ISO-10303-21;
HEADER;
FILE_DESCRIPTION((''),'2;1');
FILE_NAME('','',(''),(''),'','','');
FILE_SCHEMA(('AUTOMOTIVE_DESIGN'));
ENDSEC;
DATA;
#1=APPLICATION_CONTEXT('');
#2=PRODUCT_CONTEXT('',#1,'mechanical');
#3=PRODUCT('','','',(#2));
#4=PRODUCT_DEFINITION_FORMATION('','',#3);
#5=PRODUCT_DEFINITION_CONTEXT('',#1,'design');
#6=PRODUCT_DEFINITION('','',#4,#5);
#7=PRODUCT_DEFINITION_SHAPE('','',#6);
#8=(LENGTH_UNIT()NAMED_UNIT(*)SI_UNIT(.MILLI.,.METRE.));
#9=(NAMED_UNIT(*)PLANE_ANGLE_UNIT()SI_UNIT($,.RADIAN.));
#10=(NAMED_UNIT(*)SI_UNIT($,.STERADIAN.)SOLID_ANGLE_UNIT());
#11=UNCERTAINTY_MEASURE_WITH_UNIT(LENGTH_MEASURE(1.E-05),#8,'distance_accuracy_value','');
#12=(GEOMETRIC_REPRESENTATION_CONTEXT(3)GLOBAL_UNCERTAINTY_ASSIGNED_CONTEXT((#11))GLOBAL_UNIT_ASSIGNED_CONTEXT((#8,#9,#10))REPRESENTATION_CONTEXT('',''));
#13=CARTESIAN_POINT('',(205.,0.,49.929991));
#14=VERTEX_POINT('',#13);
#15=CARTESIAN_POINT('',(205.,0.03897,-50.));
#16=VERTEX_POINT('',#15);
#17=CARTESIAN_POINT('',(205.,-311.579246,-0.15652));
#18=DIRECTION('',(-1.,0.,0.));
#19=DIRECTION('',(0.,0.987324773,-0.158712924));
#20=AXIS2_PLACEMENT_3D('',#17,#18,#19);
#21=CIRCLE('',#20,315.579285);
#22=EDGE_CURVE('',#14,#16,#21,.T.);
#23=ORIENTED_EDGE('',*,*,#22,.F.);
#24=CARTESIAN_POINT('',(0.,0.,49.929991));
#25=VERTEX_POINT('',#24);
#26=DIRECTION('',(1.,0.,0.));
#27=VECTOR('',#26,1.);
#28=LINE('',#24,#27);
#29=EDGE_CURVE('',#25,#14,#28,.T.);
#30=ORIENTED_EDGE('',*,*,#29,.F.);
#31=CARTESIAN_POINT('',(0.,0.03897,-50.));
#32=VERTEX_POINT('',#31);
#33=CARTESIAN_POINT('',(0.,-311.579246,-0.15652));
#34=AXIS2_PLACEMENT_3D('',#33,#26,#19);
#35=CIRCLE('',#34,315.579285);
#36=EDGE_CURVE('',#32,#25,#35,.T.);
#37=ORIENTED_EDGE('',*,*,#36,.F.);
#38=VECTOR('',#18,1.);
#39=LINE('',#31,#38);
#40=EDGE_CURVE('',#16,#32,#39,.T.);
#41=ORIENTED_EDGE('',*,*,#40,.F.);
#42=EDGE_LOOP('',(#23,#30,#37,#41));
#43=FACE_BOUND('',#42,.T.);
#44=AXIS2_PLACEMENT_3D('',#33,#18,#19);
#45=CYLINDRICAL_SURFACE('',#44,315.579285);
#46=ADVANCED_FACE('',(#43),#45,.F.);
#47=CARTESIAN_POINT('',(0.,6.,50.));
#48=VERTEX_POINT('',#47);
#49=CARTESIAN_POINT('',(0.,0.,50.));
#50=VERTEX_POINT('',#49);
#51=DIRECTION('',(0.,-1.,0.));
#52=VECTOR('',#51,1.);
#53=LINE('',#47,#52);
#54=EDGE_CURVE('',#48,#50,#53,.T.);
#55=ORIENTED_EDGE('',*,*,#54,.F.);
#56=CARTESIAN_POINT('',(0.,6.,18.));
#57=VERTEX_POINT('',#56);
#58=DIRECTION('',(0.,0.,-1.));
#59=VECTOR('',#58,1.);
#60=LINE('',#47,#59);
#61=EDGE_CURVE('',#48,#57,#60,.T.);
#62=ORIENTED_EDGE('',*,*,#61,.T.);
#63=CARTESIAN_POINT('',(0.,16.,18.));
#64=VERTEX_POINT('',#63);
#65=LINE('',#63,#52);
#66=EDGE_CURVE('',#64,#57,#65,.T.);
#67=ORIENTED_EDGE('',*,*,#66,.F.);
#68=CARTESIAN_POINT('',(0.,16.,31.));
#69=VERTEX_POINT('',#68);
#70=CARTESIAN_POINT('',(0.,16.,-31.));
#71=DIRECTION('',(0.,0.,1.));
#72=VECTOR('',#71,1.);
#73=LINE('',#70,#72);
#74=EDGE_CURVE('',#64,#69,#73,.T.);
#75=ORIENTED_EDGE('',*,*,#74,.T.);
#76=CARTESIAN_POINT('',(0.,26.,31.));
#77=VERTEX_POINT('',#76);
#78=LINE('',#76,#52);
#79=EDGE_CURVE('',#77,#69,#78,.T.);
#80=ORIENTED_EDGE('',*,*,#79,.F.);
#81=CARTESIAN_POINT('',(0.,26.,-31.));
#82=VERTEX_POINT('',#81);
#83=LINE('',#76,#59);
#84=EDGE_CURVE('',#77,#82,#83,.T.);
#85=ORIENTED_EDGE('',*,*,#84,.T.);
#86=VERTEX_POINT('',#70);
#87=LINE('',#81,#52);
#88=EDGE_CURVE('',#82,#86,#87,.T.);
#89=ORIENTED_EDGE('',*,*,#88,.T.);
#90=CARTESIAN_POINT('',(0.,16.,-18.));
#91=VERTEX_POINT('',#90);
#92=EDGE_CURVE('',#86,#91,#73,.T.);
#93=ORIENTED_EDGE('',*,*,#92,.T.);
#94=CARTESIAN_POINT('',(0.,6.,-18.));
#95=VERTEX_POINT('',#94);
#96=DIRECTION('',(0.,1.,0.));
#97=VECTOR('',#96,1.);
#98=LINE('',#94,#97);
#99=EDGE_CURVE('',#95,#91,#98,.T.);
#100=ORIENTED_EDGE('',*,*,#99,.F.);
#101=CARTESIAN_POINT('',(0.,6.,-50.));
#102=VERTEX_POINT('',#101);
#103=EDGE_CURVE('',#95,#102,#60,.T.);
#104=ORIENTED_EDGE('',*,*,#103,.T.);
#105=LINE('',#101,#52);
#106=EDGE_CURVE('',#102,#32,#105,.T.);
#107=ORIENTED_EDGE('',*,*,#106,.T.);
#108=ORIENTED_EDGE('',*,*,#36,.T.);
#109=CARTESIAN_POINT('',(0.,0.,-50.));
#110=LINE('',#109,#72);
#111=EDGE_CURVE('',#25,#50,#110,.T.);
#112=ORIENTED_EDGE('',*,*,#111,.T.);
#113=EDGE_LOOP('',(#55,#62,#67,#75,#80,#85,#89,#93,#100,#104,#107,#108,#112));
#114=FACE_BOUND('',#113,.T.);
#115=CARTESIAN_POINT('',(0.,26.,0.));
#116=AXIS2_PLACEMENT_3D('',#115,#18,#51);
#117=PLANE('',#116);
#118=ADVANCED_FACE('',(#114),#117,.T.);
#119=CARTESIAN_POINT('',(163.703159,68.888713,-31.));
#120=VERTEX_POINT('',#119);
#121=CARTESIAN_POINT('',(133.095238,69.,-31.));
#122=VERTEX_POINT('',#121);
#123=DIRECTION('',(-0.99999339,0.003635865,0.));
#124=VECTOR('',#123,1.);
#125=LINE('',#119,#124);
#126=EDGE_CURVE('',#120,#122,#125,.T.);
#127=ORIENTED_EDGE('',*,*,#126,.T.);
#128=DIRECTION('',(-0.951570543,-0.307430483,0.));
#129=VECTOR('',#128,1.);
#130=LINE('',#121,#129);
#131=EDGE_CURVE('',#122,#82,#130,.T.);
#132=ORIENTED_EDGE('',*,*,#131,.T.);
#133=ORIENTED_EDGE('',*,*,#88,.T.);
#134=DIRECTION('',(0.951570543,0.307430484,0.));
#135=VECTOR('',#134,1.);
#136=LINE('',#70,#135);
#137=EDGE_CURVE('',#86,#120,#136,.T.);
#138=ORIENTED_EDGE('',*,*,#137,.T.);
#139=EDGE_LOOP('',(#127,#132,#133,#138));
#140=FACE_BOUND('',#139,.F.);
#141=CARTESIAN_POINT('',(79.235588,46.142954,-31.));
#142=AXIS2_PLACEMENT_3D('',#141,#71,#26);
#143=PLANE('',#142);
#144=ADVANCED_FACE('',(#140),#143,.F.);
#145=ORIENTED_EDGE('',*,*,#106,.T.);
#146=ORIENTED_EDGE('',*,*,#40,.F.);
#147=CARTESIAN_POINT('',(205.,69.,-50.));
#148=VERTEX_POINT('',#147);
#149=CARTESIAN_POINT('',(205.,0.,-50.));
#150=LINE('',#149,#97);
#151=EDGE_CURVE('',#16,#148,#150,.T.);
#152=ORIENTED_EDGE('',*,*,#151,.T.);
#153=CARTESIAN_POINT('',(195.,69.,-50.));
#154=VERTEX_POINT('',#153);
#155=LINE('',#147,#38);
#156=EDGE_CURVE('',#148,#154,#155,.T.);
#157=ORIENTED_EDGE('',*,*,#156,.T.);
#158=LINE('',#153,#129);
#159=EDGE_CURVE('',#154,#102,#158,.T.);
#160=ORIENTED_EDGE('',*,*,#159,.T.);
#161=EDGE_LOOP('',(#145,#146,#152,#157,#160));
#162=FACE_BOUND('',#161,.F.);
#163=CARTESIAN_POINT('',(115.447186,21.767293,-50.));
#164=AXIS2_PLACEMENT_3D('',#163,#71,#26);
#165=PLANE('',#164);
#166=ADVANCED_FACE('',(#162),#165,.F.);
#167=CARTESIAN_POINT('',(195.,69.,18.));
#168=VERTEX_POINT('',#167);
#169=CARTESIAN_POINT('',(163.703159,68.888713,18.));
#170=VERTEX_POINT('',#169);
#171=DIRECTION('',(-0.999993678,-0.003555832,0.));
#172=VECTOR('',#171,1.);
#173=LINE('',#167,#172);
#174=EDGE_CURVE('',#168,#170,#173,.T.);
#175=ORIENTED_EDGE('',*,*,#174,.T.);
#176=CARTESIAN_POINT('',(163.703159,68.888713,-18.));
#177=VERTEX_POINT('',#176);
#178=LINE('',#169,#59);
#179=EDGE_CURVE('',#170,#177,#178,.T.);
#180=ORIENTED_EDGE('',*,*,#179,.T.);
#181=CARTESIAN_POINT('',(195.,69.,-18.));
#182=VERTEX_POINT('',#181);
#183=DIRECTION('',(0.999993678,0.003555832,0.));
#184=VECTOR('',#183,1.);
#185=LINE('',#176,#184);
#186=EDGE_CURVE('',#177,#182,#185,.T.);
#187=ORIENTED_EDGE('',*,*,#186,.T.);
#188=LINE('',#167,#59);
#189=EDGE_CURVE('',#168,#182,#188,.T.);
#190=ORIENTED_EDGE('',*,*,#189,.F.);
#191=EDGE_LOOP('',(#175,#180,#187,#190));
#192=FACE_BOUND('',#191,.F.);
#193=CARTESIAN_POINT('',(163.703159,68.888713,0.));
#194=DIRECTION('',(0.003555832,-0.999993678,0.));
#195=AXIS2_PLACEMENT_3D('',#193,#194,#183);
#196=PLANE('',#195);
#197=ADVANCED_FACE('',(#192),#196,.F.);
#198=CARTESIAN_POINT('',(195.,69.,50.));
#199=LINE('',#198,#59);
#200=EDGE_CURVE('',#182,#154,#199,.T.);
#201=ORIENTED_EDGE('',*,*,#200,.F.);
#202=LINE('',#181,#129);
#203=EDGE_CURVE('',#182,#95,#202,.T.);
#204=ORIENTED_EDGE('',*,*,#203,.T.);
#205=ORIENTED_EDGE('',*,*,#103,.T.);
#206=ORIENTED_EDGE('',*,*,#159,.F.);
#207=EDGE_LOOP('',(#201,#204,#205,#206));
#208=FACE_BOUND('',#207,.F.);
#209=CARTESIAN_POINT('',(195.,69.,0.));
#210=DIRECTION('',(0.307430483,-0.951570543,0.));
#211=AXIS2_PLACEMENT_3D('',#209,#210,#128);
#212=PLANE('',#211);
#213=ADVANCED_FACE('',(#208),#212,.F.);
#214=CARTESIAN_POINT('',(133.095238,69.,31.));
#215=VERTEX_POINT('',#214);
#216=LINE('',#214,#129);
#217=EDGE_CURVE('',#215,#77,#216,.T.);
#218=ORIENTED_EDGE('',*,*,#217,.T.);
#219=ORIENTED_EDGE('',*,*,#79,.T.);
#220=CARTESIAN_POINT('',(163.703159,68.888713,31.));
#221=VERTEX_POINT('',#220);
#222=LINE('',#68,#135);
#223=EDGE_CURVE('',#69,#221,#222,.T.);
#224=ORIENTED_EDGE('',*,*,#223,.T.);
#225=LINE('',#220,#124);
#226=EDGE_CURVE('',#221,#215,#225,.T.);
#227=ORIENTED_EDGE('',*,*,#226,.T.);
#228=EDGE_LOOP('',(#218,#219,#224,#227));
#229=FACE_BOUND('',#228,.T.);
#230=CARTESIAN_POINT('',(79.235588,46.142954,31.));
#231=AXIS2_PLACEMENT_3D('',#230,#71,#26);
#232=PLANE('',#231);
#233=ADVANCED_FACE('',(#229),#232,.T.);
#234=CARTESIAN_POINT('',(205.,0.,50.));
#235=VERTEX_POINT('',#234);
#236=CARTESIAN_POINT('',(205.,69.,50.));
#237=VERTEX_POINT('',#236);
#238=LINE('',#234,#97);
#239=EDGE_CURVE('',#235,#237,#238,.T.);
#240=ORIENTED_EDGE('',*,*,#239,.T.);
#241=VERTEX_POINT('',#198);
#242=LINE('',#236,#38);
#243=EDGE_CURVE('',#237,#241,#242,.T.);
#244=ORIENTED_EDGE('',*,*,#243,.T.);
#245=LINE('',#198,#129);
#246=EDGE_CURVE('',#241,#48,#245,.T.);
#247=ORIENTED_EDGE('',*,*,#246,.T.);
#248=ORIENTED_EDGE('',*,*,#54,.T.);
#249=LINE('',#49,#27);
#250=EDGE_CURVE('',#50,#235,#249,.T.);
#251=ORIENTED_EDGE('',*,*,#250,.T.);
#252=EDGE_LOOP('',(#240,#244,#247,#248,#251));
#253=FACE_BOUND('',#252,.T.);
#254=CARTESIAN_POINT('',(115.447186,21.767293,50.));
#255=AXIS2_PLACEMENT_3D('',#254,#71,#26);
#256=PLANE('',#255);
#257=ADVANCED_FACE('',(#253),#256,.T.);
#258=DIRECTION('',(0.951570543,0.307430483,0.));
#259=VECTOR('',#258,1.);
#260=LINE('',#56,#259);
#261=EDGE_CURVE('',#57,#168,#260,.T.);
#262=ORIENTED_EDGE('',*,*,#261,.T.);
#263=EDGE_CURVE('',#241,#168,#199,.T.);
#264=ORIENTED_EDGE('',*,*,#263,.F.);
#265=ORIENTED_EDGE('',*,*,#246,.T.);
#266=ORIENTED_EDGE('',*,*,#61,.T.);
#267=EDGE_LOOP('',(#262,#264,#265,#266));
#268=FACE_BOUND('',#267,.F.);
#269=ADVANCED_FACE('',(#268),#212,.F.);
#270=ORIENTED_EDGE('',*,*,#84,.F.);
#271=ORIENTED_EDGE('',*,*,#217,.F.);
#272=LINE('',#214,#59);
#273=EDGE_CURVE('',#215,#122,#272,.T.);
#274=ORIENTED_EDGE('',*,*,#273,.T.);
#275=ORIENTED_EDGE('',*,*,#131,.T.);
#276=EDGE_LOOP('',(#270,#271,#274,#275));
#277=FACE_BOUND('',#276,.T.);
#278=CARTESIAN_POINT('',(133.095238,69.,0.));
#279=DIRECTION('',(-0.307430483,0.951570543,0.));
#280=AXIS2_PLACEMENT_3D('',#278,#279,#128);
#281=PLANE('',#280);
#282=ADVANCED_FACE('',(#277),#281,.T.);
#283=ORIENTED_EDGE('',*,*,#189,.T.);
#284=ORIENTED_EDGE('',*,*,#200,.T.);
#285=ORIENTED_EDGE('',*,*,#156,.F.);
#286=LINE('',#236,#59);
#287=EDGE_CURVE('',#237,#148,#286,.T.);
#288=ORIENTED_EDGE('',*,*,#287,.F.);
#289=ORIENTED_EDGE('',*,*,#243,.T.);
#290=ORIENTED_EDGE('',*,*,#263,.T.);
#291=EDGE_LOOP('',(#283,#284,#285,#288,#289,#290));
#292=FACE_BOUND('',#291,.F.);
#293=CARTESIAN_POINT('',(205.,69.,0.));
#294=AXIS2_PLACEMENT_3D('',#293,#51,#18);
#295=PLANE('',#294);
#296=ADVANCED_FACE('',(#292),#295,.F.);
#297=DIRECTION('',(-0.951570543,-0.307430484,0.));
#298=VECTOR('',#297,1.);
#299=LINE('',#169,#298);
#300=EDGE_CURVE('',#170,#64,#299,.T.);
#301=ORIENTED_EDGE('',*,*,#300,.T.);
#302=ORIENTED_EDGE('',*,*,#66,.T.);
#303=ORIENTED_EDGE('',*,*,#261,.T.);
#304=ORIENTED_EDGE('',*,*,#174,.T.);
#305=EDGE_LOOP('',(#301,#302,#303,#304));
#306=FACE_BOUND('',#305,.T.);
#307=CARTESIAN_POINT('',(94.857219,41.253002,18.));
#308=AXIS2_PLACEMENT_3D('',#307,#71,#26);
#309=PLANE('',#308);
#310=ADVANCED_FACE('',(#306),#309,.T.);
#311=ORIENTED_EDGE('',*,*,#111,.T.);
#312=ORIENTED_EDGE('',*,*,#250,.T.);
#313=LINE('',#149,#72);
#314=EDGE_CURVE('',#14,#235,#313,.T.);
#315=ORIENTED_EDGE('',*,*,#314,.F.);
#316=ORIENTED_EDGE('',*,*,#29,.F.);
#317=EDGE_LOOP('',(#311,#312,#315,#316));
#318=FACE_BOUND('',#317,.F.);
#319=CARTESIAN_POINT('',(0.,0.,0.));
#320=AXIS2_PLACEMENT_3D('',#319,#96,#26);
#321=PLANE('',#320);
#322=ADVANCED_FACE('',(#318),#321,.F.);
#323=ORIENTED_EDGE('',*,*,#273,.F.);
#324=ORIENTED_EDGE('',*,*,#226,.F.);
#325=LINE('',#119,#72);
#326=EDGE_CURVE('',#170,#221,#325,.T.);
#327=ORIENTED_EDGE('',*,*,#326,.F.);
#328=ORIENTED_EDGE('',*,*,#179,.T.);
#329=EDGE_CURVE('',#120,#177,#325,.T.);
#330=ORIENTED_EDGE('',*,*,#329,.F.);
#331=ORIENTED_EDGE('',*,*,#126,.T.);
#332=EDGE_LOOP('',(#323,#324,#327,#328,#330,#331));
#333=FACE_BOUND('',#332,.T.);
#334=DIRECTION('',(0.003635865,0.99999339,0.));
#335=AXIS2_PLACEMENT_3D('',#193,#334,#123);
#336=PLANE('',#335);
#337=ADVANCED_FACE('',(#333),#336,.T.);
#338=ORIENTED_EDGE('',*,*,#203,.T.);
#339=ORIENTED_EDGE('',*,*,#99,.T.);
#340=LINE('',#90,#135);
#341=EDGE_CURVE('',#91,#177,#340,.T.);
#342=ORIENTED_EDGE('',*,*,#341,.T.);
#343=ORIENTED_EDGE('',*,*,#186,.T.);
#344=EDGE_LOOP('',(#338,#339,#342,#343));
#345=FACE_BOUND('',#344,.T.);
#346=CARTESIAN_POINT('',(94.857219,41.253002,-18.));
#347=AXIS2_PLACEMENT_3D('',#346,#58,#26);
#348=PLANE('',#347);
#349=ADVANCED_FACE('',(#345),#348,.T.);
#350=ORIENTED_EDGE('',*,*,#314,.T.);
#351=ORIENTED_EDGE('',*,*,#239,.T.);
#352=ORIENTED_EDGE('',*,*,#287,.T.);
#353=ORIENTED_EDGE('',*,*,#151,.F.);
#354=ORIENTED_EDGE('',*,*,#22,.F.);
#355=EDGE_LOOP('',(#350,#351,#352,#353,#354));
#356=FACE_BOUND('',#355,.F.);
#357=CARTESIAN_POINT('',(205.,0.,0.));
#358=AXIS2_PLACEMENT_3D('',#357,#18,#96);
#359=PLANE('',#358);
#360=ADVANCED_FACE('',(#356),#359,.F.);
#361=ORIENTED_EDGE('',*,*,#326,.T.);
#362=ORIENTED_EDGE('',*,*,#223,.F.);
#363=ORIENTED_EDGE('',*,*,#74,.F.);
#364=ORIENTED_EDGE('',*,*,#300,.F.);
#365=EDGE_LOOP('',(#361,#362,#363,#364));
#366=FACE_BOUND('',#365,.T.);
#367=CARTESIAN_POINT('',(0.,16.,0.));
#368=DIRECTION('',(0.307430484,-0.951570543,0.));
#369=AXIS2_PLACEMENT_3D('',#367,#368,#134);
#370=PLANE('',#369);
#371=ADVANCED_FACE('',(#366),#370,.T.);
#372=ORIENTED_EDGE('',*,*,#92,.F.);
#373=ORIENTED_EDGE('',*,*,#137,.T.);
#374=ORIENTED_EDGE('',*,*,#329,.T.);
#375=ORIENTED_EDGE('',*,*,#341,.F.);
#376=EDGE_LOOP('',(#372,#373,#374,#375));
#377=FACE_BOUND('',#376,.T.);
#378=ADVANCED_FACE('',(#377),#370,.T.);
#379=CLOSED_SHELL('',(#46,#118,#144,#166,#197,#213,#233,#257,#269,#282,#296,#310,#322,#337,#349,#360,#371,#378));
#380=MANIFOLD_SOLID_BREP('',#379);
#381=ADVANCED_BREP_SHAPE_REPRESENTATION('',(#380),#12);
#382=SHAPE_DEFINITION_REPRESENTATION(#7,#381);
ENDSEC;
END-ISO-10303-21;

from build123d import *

# Parameters (mm, degrees)
F1_DEPTH = 50
F2_DEPTH = 50
F3_DEPTH = 18
F4_DEPTH = 18
F5_DEPTH = 31
F7_DEPTH = 205.001


with BuildPart() as f1:
    # F0 (on Top) → F1 (new body)
    with BuildSketch(Plane.XY):
        Polygon((0, 6), (0, 0), (205, 0), (205, 69), (195, 69), align=None)
    extrude(amount=-F1_DEPTH)

    # F0 (on Top) → F2 (join)
    with BuildSketch(Plane.XY):
        Polygon((0, 6), (0, 0), (205, 0), (205, 69), (195, 69), align=None)
    extrude(amount=F2_DEPTH)

    # F0 (on Top) → F3 (join)
    with BuildSketch(Plane.XY):
        Polygon((0, 16), (0, 6), (195, 69), (163.703159, 68.888713), align=None)
    extrude(amount=F3_DEPTH)

    # F3_face (on face) → F4 (join)
    with BuildSketch(Plane(origin=(89.903344, 39.900279, 0), x_dir=(1, 0, 0), z_dir=(0, 0, -1))):
        Polygon((105.096656, -29.099721), (-89.903344, 33.900279), (-89.903344, 23.900279), (73.799815, -28.988434), align=None)
    extrude(amount=F4_DEPTH)

    # F0 (on Top) → F5 (join, symmetric)
    with BuildSketch(Plane.XY):
        Polygon((0, 26), (0, 16), (163.703159, 68.888713), (133.095238, 69), align=None)
    extrude(amount=F5_DEPTH, both=True)

    # F6 (on Right) → F7 (cut, through all)
    with BuildSketch(Plane.YZ):
        with BuildLine():
            Line((0, 49.929991), (0, -50.243031))
            ThreePointArc((0, -50.243031), (4.000039, -0.15652), (0, 49.929991))
        make_face()
    extrude(amount=F7_DEPTH, mode=Mode.SUBTRACT)


solid = f1.part
